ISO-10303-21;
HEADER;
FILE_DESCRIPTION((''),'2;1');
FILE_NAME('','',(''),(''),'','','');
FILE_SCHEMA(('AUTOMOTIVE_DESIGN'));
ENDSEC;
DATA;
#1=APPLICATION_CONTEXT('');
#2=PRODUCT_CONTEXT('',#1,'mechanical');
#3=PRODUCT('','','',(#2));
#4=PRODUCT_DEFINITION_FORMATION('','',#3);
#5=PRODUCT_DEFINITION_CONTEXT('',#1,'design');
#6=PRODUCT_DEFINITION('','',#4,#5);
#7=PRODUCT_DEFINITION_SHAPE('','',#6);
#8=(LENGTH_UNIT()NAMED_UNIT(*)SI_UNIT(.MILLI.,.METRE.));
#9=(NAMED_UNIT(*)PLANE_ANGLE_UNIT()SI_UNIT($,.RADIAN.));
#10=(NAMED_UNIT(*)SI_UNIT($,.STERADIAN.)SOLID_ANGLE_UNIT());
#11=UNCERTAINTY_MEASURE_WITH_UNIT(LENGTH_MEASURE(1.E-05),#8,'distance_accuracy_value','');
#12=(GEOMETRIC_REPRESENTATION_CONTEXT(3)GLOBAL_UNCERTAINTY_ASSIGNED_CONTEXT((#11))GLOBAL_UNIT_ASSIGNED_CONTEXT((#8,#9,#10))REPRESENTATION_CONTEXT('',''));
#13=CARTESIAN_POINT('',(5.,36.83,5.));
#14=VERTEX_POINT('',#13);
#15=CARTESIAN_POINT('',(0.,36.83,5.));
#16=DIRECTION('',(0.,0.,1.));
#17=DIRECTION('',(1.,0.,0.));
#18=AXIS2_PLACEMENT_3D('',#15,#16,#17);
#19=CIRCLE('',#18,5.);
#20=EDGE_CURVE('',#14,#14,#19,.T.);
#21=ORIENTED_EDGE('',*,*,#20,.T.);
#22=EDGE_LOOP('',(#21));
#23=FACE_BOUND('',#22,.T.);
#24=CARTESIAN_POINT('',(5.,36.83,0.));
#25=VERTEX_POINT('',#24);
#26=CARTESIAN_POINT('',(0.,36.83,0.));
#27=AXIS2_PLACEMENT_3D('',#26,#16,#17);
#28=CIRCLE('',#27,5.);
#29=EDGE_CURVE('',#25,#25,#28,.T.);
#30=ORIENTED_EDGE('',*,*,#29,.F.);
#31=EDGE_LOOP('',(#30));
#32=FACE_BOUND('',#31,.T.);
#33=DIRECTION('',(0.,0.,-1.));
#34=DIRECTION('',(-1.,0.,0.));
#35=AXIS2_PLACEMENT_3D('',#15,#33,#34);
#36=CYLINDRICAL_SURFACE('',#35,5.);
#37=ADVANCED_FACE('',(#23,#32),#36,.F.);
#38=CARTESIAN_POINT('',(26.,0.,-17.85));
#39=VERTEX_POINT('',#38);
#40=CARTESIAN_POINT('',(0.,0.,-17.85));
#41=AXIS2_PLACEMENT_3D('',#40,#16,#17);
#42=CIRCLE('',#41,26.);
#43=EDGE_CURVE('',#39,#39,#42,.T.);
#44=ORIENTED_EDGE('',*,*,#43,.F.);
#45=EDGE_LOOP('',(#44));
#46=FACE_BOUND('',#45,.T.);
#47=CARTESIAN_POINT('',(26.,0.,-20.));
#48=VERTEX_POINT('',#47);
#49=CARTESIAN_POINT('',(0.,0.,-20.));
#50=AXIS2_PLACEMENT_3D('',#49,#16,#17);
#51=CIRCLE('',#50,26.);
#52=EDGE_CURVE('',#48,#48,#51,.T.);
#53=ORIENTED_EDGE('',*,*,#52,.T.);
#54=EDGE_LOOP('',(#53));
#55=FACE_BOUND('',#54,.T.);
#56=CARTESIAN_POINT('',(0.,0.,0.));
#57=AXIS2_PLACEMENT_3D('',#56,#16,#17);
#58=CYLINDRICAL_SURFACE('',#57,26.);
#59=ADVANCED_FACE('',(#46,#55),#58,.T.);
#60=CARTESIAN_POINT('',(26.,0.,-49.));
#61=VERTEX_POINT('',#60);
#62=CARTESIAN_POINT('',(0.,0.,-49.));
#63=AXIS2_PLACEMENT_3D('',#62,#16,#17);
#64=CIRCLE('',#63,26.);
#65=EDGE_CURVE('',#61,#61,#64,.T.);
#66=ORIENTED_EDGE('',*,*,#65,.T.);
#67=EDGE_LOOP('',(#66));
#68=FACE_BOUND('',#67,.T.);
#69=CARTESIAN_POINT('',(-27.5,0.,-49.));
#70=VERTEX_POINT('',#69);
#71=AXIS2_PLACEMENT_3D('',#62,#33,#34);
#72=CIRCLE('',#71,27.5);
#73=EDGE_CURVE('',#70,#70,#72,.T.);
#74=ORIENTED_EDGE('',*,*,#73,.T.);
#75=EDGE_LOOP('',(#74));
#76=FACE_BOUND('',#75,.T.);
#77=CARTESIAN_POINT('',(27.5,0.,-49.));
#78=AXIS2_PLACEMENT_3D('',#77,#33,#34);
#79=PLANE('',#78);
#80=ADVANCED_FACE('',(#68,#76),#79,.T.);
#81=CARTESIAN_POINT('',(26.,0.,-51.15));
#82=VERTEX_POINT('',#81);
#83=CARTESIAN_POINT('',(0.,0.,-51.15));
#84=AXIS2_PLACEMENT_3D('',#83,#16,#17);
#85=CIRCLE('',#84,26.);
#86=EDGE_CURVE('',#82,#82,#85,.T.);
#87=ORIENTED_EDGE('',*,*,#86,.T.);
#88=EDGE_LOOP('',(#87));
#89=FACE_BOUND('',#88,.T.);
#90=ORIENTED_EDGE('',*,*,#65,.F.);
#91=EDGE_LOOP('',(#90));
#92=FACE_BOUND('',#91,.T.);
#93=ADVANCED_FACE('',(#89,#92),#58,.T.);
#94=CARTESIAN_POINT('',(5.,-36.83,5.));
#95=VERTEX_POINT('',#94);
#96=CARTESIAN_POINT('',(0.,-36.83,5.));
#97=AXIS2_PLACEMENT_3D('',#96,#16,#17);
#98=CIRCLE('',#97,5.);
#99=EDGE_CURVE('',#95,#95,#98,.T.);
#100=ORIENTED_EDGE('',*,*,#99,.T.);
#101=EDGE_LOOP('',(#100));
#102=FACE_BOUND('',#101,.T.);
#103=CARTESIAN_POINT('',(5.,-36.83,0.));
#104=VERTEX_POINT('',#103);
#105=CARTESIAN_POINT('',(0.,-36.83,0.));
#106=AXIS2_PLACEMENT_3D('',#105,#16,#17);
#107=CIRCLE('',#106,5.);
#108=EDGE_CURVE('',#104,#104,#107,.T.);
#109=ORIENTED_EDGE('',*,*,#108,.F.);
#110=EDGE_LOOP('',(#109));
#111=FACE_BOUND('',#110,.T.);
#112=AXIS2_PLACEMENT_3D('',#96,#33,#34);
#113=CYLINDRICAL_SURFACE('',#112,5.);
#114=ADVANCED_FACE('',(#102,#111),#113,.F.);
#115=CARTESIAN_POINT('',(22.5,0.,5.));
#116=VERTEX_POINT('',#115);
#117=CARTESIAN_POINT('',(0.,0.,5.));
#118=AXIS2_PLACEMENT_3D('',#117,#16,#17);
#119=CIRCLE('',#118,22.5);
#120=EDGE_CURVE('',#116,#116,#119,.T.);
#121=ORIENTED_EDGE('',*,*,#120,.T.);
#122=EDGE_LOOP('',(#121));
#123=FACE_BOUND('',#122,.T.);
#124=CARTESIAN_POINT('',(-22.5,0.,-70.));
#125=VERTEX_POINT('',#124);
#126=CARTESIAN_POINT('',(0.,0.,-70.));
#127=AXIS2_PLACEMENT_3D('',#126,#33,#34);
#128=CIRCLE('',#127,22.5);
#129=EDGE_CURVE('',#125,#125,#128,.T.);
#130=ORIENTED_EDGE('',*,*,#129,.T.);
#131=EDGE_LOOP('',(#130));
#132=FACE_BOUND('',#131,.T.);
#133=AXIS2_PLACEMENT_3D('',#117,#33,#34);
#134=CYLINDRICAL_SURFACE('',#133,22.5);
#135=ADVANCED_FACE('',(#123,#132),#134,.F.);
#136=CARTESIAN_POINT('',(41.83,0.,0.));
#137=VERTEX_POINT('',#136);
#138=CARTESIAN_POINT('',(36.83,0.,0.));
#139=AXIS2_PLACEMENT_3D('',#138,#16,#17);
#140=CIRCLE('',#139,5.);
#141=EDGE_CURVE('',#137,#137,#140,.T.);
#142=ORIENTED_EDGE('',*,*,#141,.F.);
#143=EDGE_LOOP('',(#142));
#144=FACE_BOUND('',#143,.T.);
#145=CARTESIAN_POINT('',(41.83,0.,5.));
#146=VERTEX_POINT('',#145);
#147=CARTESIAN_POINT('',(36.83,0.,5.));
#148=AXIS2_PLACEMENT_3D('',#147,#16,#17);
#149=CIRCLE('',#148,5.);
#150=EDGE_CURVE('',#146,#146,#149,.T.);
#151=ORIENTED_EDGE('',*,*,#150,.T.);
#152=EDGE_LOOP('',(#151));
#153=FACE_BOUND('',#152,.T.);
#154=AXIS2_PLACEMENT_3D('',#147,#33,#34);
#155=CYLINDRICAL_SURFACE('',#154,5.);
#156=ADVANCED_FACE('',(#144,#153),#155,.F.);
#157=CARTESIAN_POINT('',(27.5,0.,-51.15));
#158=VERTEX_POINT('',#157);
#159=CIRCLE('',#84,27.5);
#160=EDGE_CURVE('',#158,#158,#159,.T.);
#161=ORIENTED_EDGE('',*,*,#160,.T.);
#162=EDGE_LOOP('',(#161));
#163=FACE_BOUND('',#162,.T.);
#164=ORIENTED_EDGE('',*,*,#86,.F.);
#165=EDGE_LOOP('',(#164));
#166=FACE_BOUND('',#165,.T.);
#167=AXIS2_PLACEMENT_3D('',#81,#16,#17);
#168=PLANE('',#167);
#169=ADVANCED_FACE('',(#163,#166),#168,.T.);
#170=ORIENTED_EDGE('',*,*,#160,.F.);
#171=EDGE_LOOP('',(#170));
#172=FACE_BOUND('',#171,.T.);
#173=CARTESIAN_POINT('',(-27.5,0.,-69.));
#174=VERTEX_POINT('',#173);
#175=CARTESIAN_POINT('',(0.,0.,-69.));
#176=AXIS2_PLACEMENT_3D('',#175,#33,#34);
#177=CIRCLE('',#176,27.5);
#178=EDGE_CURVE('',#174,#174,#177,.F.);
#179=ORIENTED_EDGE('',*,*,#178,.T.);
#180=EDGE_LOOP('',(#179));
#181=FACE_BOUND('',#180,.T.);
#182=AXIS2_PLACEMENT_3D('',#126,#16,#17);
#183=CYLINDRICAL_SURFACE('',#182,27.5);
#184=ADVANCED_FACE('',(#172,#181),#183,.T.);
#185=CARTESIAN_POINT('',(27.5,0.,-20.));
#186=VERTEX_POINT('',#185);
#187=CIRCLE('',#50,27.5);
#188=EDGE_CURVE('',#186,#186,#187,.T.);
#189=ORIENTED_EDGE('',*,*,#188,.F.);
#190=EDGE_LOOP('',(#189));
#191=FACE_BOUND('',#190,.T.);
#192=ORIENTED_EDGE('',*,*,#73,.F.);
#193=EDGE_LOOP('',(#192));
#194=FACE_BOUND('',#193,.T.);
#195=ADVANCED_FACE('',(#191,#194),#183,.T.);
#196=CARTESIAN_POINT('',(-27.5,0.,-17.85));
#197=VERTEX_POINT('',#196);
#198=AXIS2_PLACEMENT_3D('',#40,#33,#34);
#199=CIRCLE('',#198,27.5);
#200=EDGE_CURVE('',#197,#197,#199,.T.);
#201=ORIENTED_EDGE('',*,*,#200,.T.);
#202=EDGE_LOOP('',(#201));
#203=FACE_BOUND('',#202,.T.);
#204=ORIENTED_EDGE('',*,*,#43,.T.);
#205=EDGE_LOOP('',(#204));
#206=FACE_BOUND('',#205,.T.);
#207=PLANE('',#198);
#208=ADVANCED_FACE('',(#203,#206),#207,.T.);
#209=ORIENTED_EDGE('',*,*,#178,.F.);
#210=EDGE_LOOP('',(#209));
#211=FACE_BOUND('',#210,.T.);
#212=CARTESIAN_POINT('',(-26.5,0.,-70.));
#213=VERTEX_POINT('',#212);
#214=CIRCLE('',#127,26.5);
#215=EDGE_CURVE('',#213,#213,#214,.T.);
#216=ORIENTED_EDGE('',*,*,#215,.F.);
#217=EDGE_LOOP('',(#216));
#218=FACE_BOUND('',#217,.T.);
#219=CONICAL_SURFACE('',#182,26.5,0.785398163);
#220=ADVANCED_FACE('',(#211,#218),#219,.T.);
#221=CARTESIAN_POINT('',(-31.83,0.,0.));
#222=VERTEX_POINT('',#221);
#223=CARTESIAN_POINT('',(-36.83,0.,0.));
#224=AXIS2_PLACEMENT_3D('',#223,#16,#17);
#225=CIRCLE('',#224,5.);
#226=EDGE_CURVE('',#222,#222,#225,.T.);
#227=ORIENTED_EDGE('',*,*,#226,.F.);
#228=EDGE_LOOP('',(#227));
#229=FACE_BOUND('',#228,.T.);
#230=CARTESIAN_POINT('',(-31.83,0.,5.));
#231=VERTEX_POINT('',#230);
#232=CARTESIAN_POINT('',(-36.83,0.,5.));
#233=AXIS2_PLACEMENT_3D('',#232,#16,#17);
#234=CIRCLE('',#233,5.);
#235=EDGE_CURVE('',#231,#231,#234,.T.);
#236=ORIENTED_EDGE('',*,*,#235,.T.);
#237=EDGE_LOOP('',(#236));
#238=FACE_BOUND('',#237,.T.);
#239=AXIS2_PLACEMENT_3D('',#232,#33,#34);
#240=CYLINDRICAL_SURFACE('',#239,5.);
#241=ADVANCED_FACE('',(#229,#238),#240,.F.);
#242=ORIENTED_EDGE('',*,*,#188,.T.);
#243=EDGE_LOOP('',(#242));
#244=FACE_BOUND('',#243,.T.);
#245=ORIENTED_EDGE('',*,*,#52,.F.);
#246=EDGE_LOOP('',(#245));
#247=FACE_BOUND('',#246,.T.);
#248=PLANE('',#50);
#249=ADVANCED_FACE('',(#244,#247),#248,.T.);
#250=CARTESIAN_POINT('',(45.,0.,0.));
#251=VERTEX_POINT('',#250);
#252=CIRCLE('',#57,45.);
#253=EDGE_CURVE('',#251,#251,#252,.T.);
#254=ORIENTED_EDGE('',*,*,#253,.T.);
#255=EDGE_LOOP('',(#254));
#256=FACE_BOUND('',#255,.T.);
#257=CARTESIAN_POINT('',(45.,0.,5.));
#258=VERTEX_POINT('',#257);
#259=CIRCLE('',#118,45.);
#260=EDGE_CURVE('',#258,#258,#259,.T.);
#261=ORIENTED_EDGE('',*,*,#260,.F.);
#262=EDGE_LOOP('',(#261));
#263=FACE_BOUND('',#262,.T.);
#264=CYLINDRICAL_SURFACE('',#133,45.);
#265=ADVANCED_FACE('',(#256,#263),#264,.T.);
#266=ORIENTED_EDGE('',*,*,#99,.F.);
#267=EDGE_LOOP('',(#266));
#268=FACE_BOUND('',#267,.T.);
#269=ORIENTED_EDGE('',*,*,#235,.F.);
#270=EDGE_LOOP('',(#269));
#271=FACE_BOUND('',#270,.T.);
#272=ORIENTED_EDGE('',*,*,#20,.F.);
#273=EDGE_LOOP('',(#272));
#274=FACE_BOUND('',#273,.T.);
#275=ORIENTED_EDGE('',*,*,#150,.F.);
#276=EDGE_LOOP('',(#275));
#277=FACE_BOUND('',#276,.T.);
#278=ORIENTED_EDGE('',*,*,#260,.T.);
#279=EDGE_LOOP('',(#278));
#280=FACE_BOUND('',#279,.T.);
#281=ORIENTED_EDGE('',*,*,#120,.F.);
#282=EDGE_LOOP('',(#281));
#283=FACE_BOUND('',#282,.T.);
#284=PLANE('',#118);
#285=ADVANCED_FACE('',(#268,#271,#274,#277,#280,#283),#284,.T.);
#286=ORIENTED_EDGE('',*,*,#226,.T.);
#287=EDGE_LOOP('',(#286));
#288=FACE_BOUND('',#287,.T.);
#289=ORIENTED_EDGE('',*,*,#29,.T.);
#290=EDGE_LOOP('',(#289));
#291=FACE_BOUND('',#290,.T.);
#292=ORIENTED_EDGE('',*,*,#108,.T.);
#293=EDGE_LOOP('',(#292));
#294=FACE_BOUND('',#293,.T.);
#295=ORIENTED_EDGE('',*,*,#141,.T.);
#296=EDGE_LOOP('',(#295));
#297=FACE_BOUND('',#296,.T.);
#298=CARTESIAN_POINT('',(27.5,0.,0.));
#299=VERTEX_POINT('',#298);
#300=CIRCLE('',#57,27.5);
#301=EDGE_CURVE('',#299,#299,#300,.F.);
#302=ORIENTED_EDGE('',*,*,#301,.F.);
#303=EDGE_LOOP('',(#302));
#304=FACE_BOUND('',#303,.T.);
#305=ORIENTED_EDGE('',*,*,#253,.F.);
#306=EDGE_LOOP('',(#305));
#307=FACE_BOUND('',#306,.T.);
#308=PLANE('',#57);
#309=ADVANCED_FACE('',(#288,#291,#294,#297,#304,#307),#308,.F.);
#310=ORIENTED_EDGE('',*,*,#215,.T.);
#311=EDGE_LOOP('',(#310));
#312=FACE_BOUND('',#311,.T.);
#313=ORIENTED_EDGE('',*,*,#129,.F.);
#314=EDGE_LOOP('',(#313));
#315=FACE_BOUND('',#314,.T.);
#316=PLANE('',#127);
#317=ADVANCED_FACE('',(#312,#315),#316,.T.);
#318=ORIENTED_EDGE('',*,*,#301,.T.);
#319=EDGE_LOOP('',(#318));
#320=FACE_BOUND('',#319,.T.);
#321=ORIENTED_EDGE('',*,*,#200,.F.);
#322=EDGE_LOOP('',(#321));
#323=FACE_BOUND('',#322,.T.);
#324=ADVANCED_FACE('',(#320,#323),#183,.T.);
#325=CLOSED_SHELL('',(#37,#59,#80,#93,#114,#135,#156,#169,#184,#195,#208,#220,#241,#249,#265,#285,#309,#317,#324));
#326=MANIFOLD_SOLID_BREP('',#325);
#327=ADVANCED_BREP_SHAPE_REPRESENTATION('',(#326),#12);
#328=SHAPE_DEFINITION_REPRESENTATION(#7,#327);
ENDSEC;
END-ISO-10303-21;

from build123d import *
from build123d.topology import SkipClean

# Parameters (mm, degrees)
SZKIC1_R                    = 45
SZKIC1_R_2                  = 22.5
SZKIC1_R_3                  = 5
DODANIE_WYCI_GNI_CIE1_DEPTH = 5
DODANIE_WYCI_GNI_CIE2_START = 70
SZKIC2_R                    = 27.5
SZKIC2_R_2                  = 22.5
DODANIE_WYCI_GNI_CIE2_DEPTH = 70
SFAZOWANIE1_SIZE            = 1


with BuildPart() as part:
    # Szkic1 → Dodanie-wyciągnięcie1 (new body)
    with BuildSketch(Plane.XY):
        Circle(SZKIC1_R)
        Circle(SZKIC1_R_2, mode=Mode.SUBTRACT)
        with Locations((0, 36.83)):
            Circle(SZKIC1_R_3, mode=Mode.SUBTRACT)
        with Locations((36.83, 0)):
            Circle(SZKIC1_R_3, mode=Mode.SUBTRACT)
        with Locations((0, -36.83)):
            Circle(SZKIC1_R_3, mode=Mode.SUBTRACT)
        with Locations((-36.83, 0)):
            Circle(SZKIC1_R_3, mode=Mode.SUBTRACT)
    extrude(amount=DODANIE_WYCI_GNI_CIE1_DEPTH)

    # Szkic2 → Dodanie-wyciągnięcie2 (add)
    with SkipClean():  # the faces are left unmerged after this step: merging them gives an invalid solid
        with BuildSketch(Plane(origin=(0, 0, 0), x_dir=(-1, 0, 0), z_dir=(0, 0, -1)).offset(DODANIE_WYCI_GNI_CIE2_START)):
            with Locations(Location((0, 0, 0), (0, 0, 180))):
                Circle(SZKIC2_R)
            Circle(SZKIC2_R_2, mode=Mode.SUBTRACT)
        extrude(amount=-DODANIE_WYCI_GNI_CIE2_DEPTH)

    # Szkic3 → Wycięcie-obrót1 (revolve, cut)
    with SkipClean():  # the faces are left unmerged after this step: merging them gives an invalid solid
        with BuildSketch(Plane(origin=(0, 0, 0), x_dir=(1, 0, 0), z_dir=(0, 1, 0))):
            Polygon((28.367830339, 17.85), (27.5, 17.85), (26, 17.85), (26, 20), (27.5, 20), (28.367830339, 20), align=None)
        revolve(axis=Axis((0, 0, 0), (0, 0, -1)), mode=Mode.SUBTRACT)

    # Szkic4 → Wycięcie-obrót2 (revolve, cut)
    with SkipClean():  # the faces are left unmerged after this step: merging them gives an invalid solid
        with BuildSketch(Plane(origin=(0, 0, 0), x_dir=(1, 0, 0), z_dir=(0, 1, 0))):
            Polygon((27.5, 49), (26, 49), (26, 51.15), (28.767264964, 51.15), (28.767264964, 49), align=None)
        revolve(axis=Axis((0, 0, 0), (0, 0, -1)), mode=Mode.SUBTRACT)

    # Sfazowanie1
    sfazowanie1_edges = [part.edges().sort_by_distance(p)[0] for p in [
        (-27.5, 0, -70),
    ]]
    chamfer(sfazowanie1_edges, length=SFAZOWANIE1_SIZE)


solid = part.part
